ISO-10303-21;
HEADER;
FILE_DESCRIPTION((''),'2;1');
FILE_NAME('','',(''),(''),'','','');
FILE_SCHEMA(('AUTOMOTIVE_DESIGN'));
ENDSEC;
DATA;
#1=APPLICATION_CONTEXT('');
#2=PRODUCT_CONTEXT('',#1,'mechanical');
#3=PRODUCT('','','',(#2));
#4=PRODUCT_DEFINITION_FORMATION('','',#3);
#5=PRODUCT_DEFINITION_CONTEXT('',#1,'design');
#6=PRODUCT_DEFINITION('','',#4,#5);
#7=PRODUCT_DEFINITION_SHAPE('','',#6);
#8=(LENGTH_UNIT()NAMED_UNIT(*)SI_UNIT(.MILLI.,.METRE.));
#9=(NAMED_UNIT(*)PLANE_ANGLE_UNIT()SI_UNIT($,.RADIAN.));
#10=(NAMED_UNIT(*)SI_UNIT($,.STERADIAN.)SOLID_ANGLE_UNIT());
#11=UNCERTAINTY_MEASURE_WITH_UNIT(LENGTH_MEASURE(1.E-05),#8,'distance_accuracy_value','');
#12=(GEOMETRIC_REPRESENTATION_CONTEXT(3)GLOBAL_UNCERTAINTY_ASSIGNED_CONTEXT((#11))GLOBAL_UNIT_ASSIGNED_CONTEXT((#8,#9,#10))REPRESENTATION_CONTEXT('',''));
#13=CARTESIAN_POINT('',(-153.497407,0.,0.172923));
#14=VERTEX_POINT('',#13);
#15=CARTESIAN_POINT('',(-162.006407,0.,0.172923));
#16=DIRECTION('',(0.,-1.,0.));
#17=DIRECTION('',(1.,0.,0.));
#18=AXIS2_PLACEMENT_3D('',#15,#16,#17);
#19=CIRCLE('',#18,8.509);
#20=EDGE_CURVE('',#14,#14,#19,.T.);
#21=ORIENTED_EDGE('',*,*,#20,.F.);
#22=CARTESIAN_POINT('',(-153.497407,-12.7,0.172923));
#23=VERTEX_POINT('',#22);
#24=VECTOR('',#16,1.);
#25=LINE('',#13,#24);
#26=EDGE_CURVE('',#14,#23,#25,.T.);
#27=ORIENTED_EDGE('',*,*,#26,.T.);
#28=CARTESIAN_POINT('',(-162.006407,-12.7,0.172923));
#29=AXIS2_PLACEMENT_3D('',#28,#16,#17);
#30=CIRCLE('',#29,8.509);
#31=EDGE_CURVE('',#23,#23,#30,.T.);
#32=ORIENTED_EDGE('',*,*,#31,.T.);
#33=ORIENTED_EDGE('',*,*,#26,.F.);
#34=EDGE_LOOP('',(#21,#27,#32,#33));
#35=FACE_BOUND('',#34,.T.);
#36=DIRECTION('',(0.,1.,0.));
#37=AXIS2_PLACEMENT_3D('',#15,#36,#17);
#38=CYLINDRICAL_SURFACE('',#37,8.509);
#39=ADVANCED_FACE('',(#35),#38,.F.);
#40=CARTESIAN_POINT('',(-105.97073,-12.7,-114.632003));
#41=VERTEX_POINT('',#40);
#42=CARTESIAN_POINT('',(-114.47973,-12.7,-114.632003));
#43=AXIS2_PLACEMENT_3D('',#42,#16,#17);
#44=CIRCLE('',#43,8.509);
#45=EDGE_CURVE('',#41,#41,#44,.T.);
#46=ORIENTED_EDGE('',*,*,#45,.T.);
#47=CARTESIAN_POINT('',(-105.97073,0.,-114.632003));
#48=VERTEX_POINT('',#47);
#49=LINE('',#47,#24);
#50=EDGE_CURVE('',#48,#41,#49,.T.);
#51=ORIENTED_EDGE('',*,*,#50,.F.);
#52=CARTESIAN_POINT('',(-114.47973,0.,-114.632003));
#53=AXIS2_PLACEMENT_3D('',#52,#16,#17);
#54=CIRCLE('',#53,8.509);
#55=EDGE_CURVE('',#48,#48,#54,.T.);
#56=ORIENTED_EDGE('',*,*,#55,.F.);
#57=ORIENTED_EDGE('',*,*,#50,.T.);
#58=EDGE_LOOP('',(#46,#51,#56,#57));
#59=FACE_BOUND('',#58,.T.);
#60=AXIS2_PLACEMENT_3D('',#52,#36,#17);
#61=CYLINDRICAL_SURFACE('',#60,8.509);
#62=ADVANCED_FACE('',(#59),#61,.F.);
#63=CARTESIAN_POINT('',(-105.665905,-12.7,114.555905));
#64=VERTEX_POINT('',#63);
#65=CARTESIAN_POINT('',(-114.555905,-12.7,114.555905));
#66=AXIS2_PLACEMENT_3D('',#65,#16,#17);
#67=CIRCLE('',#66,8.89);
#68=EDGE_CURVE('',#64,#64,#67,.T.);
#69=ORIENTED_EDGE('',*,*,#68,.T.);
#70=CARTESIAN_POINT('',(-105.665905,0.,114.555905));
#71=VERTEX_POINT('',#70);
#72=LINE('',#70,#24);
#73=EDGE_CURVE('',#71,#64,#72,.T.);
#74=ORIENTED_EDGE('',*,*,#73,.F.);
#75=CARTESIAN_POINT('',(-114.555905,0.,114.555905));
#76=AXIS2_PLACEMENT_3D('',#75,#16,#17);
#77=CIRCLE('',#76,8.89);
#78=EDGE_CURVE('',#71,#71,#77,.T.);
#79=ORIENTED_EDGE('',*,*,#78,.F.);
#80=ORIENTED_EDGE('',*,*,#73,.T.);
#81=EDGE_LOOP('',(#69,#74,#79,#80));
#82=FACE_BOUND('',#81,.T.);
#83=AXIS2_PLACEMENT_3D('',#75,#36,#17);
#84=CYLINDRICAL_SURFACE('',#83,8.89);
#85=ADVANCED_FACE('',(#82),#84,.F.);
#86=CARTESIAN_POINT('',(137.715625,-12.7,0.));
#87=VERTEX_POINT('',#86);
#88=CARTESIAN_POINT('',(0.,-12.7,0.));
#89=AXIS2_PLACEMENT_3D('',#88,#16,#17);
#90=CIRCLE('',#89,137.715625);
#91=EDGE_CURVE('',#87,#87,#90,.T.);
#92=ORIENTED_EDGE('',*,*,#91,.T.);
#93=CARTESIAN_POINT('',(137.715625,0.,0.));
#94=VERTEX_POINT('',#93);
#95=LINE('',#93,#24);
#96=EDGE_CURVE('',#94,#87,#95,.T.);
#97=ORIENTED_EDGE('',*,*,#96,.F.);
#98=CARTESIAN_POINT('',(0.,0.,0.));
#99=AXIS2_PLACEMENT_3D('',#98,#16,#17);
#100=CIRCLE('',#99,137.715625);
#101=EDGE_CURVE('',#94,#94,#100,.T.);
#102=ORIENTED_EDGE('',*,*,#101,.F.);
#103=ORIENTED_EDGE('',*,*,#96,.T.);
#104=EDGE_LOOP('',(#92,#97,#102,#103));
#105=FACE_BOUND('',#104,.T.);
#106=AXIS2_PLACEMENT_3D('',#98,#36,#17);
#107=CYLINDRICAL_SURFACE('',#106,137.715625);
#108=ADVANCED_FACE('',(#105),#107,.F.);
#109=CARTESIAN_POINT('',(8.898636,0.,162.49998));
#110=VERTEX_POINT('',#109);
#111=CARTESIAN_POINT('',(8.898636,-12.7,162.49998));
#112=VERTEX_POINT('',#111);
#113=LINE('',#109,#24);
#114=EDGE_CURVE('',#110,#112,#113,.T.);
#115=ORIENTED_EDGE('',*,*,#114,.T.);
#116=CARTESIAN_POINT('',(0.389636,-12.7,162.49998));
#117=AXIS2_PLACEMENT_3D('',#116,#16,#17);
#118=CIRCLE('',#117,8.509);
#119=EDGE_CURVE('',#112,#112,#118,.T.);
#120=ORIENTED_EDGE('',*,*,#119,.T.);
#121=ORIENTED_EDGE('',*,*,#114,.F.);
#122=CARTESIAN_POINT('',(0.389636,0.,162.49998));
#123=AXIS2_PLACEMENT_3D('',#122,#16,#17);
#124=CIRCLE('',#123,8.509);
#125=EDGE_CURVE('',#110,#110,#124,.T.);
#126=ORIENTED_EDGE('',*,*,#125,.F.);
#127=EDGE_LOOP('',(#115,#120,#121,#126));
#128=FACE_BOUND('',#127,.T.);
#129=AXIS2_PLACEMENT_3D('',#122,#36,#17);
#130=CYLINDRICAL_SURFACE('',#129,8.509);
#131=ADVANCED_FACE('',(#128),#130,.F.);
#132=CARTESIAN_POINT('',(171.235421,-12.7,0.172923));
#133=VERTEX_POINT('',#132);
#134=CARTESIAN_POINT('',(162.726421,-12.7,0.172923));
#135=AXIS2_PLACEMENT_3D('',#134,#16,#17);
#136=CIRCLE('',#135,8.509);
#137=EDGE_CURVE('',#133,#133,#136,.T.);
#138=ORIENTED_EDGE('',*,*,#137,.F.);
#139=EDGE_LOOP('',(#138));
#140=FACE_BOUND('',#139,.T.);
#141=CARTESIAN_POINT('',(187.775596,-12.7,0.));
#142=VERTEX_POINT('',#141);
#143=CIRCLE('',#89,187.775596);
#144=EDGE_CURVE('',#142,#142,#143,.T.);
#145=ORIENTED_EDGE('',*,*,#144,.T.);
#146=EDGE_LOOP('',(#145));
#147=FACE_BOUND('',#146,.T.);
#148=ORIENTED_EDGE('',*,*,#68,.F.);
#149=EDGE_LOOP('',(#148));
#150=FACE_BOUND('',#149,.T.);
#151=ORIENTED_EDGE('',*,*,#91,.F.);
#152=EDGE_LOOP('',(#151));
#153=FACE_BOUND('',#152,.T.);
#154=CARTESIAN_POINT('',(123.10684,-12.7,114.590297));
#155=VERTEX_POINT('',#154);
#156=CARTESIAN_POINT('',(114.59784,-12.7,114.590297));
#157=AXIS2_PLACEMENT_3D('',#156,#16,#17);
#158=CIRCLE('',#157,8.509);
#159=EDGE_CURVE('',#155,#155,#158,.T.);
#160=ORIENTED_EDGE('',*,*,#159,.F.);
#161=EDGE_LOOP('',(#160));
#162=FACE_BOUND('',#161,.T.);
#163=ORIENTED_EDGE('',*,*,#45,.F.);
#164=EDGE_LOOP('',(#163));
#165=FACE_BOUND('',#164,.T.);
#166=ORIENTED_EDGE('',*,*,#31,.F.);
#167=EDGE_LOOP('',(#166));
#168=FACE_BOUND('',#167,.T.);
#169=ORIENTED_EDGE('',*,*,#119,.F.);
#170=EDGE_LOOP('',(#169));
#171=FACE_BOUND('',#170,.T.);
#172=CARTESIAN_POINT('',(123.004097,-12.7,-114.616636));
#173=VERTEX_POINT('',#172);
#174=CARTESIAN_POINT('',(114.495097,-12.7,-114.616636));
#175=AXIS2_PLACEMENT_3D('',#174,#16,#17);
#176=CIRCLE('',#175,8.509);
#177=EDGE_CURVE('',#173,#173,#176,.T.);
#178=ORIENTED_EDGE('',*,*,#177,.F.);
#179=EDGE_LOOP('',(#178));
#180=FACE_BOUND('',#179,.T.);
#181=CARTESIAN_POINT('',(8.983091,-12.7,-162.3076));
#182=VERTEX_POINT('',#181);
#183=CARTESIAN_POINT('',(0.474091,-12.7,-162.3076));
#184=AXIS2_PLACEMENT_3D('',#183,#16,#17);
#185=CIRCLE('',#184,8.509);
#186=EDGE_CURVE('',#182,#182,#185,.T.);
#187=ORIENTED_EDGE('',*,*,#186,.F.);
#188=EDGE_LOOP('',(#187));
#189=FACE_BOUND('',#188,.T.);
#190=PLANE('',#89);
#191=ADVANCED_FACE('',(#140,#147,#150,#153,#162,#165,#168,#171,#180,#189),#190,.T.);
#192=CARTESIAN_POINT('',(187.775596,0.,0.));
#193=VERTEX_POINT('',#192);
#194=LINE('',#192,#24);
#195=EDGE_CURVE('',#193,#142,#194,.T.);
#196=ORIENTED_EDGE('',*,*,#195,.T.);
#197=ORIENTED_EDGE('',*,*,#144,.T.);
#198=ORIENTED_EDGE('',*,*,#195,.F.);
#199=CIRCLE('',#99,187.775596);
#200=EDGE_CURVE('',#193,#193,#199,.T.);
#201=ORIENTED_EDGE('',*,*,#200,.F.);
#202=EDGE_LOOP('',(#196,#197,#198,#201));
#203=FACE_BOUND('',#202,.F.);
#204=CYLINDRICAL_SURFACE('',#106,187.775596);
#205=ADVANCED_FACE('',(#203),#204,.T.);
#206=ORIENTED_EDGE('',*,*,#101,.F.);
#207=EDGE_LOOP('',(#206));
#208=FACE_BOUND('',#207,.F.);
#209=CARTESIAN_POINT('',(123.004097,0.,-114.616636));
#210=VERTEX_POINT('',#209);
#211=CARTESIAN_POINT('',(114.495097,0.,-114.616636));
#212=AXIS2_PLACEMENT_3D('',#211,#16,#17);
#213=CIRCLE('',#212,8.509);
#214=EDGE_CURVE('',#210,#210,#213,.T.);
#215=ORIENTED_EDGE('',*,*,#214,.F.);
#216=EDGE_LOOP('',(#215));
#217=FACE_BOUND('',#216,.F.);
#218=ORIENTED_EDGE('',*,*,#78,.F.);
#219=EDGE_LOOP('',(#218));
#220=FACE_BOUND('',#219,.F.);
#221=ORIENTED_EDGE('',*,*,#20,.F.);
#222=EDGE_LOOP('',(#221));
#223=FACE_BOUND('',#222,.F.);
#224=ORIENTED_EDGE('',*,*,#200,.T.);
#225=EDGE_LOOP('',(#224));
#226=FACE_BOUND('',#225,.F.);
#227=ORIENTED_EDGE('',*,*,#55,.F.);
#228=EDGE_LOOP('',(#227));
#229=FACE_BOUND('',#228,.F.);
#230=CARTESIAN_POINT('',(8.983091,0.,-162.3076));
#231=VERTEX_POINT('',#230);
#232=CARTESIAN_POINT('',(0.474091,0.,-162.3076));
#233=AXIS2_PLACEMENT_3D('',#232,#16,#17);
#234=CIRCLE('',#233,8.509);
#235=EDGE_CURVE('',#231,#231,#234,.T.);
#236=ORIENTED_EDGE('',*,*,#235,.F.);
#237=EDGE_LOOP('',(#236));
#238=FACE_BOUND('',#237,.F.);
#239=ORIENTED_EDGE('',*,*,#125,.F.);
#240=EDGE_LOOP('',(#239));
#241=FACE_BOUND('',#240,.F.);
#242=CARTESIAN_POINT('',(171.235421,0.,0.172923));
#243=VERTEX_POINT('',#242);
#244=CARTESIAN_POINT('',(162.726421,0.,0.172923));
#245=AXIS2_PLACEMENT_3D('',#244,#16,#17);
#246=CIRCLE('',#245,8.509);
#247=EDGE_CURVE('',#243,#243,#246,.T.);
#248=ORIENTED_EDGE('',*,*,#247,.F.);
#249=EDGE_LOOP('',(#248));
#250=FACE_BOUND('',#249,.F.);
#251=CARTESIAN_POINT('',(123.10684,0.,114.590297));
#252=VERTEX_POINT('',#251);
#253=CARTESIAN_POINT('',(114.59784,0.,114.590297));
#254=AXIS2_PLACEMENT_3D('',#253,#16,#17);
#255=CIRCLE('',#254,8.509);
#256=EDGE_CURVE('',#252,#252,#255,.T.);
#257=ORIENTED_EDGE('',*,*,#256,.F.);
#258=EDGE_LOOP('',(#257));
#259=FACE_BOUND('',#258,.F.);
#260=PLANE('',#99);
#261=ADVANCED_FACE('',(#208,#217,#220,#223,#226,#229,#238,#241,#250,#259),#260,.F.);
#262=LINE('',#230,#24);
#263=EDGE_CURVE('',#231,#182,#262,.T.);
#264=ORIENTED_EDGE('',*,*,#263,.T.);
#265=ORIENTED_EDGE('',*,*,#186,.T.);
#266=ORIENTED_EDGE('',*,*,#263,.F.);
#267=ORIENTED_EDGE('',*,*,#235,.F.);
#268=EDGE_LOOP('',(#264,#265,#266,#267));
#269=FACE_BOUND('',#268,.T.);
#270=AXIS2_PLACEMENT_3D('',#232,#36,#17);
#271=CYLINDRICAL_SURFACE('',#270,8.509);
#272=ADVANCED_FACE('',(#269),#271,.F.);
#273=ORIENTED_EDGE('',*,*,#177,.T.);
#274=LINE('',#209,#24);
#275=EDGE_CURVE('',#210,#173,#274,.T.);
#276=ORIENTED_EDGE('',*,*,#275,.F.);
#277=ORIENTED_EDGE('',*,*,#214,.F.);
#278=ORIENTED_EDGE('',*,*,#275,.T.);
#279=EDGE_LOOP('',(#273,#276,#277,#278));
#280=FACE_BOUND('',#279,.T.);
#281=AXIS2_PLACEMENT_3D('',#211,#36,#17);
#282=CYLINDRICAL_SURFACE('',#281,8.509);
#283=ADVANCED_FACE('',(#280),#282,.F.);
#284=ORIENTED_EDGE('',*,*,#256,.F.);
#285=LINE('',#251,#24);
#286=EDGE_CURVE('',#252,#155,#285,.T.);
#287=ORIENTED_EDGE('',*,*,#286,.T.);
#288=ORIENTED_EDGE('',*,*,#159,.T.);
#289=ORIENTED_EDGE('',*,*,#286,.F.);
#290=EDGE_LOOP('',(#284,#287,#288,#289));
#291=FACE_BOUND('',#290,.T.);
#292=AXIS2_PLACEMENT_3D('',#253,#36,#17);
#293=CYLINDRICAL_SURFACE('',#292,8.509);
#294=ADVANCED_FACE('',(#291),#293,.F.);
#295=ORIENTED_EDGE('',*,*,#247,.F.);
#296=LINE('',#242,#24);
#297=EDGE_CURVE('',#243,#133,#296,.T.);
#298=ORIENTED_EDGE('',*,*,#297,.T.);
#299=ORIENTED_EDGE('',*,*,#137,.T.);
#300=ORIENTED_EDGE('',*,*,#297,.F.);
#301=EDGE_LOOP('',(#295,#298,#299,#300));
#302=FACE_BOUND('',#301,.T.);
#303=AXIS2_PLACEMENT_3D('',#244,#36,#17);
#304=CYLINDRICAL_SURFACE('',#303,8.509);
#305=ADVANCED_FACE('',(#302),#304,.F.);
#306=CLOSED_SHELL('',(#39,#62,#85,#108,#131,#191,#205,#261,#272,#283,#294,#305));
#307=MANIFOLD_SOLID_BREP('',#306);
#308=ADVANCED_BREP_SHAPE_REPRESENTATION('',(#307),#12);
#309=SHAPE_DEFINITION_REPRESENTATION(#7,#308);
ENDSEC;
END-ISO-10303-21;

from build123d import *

# Parameters (mm, degrees)
F0_R     = 187.775596
F0_R_2   = 8.509
F0_R_3   = 8.89
F0_R_4   = 137.715625
F1_DEPTH = 12.7


with BuildPart() as f1:
    # F0 (on Front) → F1 (new body)
    with BuildSketch(Plane.XZ):
        Circle(F0_R)
        with Locations((-114.47973, -114.632003)):
            Circle(F0_R_2, mode=Mode.SUBTRACT)
        with Locations((0.474091, -162.3076)):
            Circle(F0_R_2, mode=Mode.SUBTRACT)
        with Locations((114.495097, -114.616636)):
            Circle(F0_R_2, mode=Mode.SUBTRACT)
        with Locations((-162.006407, 0.172923)):
            Circle(F0_R_2, mode=Mode.SUBTRACT)
        with Locations((-114.555905, 114.555905)):
            Circle(F0_R_3, mode=Mode.SUBTRACT)
        Circle(F0_R_4, mode=Mode.SUBTRACT)
        with Locations((162.726421, 0.172923)):
            Circle(F0_R_2, mode=Mode.SUBTRACT)
        with Locations((0.389636, 162.49998)):
            Circle(F0_R_2, mode=Mode.SUBTRACT)
        with Locations((114.59784, 114.590297)):
            Circle(F0_R_2, mode=Mode.SUBTRACT)
    extrude(amount=F1_DEPTH)


solid = f1.part
